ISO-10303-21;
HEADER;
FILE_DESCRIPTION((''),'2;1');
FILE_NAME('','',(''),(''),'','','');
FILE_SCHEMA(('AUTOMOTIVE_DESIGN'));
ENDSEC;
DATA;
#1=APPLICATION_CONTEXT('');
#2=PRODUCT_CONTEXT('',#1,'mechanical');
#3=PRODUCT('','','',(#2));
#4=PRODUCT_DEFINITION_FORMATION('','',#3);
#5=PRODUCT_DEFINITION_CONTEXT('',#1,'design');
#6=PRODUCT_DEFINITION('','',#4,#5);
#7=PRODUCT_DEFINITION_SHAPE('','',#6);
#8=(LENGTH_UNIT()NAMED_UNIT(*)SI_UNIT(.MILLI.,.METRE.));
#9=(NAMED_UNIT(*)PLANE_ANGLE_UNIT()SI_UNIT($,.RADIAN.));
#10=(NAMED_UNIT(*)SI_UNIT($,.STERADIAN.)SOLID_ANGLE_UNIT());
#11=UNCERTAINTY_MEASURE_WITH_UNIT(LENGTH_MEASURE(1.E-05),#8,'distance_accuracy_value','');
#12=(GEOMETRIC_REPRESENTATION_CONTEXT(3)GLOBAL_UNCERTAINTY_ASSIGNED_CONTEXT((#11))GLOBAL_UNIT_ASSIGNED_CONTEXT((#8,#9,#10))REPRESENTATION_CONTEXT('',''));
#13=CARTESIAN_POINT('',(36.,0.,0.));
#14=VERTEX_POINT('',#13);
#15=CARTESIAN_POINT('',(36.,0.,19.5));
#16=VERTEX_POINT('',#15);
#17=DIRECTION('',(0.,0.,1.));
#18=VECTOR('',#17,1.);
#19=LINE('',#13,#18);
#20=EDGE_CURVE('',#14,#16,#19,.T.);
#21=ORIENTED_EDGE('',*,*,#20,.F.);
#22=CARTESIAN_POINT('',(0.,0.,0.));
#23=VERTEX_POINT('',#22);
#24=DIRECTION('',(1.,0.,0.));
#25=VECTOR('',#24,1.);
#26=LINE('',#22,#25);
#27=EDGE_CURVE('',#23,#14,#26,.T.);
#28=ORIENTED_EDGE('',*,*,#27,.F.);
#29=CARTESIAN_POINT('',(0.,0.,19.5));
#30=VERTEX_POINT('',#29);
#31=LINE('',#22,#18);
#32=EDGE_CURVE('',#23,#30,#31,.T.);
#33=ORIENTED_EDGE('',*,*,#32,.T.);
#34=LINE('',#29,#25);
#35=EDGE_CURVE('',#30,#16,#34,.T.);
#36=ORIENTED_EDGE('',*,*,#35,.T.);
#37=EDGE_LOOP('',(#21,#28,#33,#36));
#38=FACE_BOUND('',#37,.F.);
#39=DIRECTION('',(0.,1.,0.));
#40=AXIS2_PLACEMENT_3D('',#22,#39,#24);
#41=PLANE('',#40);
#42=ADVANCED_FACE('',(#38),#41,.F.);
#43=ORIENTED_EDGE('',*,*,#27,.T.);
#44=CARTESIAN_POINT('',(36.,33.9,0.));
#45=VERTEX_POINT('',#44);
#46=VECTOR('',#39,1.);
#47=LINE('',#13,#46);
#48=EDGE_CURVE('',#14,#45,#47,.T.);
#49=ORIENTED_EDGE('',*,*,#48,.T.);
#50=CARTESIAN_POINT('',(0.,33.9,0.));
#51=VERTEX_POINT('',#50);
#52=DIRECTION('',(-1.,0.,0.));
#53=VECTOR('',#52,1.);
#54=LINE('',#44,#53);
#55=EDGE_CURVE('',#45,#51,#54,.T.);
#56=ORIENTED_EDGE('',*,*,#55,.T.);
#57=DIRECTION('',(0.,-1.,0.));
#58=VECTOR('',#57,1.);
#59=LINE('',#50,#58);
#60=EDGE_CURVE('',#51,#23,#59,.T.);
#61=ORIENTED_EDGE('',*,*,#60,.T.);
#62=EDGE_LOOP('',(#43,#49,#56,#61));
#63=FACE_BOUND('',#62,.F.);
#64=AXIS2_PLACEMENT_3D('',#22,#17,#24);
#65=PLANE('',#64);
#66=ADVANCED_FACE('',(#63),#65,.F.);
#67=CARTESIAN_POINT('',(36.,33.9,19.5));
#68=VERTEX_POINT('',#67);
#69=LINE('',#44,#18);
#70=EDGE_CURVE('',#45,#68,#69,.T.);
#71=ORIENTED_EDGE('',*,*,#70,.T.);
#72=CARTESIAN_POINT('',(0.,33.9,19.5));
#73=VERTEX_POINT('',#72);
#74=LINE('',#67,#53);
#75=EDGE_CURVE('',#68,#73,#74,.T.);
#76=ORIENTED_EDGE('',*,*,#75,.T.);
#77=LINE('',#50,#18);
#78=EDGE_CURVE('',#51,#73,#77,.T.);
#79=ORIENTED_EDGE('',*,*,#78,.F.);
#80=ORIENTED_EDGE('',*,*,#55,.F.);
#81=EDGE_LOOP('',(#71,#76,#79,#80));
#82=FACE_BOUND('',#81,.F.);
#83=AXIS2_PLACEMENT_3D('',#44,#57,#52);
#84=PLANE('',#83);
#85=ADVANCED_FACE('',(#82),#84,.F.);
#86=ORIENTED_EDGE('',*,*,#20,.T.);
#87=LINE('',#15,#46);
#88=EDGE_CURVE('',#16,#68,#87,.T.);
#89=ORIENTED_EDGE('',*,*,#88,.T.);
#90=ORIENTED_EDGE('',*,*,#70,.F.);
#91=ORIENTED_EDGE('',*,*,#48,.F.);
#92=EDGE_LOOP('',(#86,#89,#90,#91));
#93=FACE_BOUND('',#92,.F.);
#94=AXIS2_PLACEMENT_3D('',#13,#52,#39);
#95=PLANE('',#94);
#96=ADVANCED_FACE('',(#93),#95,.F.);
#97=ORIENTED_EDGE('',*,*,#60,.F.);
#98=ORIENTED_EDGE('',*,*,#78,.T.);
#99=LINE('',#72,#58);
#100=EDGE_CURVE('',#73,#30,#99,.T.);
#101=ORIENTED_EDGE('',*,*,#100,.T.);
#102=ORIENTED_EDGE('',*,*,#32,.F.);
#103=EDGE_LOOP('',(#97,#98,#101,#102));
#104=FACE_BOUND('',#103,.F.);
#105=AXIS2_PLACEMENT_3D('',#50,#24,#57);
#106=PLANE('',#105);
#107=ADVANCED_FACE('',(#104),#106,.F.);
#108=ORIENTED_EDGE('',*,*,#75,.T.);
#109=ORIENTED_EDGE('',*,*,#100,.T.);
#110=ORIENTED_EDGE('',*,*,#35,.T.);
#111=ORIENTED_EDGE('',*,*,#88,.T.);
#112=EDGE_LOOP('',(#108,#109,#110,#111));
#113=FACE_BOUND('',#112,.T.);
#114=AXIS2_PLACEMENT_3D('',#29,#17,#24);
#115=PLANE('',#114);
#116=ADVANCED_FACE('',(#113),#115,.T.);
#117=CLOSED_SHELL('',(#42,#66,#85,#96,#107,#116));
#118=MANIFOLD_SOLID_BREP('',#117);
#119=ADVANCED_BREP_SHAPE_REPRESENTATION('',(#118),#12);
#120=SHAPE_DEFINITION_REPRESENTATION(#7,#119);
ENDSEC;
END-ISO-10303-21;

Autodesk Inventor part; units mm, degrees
ref_plane "YZ Plane" through (0, 0, 0) normal (1, 0, 0) x (0, 1, 0)
ref_plane "XZ Plane" through (0, 0, 0) normal (0, 1, 0) x (-1, 0, 0)
ref_plane "XY Plane" through (0, 0, 0) normal (0, 0, 1) x (1, 0, 0)
sketch "スケッチ1" plane through (0, 0, 0) normal (0, 0, 1) x (1, 0, 0)
  line L0 (0, 0) -> (36, 0)
  line L1 (36, 0) -> (36, 33.9)
  line L2 (36, 33.9) -> (0, 33.9)
  line L3 (0, 33.9) -> (0, 0)
  dimension "d0" = 36
  dimension "d1" = 33.9
extrude "押し出し1" add sketch "スケッチ1" along normal blind 19.5
properties part number "CR_P2W"
